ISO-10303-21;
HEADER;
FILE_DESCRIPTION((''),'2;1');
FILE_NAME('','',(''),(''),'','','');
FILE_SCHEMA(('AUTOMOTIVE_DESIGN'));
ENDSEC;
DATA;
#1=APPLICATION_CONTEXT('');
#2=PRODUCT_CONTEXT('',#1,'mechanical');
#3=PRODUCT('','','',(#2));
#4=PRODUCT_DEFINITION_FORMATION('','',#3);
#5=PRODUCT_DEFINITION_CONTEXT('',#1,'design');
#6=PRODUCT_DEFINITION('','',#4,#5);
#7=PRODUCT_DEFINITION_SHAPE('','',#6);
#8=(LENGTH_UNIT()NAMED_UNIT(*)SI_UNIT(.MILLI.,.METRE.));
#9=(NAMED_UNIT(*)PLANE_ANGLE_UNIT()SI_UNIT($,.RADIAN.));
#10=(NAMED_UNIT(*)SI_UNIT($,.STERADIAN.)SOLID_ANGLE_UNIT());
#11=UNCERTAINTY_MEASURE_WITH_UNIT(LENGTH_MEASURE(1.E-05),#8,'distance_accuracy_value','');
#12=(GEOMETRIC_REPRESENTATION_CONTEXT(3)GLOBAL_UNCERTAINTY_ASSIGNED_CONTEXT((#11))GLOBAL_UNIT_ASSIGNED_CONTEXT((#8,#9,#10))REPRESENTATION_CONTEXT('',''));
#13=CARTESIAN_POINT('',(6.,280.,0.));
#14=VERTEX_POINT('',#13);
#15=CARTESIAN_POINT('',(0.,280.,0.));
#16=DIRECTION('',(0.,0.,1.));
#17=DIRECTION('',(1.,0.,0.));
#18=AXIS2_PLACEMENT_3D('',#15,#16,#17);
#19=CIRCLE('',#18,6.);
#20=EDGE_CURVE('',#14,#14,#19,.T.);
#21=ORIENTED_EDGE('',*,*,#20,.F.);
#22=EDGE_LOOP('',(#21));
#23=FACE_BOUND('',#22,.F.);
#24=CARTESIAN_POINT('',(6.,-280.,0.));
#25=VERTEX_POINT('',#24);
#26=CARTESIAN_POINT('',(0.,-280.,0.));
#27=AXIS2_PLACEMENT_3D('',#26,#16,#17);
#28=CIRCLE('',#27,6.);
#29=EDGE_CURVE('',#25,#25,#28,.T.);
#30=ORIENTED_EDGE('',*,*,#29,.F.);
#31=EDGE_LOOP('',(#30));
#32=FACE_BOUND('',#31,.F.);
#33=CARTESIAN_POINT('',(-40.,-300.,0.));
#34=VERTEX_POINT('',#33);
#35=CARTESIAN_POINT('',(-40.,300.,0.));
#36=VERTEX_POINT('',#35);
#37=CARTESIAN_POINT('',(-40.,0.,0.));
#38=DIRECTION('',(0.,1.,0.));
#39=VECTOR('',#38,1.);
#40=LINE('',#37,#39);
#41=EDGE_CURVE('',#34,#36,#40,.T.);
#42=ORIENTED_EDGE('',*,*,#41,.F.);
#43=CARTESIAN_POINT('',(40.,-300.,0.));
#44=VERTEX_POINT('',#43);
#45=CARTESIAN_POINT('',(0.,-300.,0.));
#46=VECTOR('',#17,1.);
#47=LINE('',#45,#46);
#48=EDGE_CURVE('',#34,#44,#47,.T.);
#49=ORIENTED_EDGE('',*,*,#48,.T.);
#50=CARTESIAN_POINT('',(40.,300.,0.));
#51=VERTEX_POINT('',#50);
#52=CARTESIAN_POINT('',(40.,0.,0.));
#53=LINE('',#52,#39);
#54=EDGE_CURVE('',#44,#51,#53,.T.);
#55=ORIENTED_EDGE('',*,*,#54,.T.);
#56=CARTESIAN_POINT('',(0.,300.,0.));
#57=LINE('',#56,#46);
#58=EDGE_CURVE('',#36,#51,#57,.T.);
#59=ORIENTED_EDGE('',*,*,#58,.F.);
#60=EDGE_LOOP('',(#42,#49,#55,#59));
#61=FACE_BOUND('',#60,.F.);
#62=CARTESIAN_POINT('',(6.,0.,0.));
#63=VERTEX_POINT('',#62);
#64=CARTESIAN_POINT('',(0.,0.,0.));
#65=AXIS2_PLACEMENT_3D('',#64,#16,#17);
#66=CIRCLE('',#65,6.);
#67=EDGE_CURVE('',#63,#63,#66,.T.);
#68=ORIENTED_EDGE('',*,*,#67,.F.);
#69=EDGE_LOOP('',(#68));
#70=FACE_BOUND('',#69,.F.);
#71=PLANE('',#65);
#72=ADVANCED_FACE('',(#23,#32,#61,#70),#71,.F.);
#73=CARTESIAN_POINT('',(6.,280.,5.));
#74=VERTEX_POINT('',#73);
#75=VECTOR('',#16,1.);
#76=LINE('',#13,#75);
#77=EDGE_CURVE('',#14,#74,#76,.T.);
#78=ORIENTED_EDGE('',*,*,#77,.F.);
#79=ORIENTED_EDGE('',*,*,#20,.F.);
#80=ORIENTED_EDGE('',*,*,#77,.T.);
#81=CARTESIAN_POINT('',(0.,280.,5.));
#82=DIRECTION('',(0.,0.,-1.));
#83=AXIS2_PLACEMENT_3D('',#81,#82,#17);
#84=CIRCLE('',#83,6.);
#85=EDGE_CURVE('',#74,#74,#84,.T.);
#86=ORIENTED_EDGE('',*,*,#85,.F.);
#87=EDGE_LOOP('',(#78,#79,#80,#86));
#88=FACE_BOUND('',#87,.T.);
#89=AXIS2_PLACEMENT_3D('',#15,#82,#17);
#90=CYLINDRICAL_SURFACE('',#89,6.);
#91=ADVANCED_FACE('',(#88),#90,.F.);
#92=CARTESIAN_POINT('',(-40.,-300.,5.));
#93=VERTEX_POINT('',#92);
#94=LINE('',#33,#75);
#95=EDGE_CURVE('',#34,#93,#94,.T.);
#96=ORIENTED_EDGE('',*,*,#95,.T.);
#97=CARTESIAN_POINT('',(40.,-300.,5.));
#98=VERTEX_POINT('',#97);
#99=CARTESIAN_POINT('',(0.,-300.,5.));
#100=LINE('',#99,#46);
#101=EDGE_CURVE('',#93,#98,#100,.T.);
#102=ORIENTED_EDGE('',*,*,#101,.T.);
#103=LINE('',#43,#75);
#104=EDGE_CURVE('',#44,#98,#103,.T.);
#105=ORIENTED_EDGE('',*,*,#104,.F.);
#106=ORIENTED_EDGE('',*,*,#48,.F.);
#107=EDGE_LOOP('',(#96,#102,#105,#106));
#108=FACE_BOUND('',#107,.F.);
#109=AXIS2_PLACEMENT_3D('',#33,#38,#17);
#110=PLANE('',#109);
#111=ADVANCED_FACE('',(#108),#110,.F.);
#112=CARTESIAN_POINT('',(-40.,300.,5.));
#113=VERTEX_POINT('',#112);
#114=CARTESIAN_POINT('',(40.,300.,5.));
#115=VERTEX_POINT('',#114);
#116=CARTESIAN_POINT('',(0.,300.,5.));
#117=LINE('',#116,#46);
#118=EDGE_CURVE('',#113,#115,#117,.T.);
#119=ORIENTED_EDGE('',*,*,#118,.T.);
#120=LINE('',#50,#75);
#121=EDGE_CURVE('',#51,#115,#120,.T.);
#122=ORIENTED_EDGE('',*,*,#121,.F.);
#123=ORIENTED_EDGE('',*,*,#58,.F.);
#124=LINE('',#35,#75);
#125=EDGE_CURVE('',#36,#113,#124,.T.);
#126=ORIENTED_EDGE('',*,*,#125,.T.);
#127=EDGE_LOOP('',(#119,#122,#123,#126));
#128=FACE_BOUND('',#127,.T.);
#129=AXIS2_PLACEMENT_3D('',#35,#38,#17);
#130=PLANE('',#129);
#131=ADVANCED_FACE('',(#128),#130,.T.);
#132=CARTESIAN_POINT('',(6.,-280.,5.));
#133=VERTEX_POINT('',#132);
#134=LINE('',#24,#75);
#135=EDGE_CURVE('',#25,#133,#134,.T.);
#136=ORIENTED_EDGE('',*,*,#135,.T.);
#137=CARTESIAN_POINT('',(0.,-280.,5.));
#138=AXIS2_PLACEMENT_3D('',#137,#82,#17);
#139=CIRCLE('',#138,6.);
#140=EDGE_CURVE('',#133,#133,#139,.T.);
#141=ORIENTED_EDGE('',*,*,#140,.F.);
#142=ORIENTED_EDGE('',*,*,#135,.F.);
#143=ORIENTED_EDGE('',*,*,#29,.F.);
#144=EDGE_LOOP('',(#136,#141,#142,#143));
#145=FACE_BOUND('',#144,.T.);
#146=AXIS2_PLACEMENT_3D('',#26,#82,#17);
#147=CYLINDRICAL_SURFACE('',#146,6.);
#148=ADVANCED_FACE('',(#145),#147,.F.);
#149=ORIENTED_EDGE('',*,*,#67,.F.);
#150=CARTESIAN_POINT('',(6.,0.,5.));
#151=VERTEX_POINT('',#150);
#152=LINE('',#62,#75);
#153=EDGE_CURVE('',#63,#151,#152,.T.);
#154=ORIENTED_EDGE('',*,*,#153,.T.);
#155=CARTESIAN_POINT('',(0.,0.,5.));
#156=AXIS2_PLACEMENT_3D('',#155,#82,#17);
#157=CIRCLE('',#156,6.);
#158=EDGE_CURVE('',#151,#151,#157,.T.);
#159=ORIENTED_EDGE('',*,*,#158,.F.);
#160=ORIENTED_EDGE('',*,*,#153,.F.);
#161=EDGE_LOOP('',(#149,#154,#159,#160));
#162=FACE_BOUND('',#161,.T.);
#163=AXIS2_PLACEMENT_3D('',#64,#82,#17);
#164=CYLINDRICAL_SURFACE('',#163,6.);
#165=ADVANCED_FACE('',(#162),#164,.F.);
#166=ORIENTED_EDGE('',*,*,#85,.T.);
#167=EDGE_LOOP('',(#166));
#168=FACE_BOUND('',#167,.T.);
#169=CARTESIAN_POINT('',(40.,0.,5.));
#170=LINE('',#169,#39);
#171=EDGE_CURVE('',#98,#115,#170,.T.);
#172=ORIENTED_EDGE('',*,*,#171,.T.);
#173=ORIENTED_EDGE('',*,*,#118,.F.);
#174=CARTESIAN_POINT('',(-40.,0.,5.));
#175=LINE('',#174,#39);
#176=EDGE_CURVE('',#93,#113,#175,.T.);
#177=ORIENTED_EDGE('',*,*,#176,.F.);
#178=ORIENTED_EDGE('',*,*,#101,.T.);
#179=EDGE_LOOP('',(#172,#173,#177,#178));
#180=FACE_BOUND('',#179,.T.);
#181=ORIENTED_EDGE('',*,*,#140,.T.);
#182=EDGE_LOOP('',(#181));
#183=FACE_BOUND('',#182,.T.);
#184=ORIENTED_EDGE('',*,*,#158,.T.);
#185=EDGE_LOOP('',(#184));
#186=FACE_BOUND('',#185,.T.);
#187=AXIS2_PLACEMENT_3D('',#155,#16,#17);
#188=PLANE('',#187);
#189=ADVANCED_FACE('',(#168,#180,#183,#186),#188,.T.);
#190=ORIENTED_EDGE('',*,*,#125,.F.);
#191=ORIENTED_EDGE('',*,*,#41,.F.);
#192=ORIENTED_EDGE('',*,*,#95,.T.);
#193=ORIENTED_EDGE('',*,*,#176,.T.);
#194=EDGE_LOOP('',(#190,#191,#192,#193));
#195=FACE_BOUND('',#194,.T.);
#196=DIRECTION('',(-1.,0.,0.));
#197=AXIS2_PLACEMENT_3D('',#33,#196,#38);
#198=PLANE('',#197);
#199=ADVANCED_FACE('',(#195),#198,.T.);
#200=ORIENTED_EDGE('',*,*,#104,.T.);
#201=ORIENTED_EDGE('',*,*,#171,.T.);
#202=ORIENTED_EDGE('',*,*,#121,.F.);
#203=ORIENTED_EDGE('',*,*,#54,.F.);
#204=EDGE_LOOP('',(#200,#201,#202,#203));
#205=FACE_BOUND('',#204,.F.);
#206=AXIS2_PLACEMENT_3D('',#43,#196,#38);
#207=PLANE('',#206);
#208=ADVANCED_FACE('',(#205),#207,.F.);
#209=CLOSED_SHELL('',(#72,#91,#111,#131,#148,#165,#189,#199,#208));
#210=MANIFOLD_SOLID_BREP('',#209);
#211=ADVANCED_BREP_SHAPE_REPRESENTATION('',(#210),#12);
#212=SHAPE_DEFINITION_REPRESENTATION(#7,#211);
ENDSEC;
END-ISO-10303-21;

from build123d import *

# Parameters (mm, degrees)
F0_W     = 80
F0_H     = 600
F1_DEPTH = 5
F2_R     = 6
F3_DEPTH = 25


with BuildPart() as f1:
    # F0 (on Top) → F1 (new body)
    with BuildSketch(Plane.XY):
        Rectangle(F0_W, F0_H)
    extrude(amount=F1_DEPTH)

    # F2 (on Top) → F3 (cut)
    with BuildSketch(Plane.XY):
        with Locations((0, 280)):
            Circle(F2_R)
        Circle(F2_R)
        with Locations((0, -280)):
            Circle(F2_R)
    extrude(amount=F3_DEPTH, mode=Mode.SUBTRACT)


solid = f1.part
